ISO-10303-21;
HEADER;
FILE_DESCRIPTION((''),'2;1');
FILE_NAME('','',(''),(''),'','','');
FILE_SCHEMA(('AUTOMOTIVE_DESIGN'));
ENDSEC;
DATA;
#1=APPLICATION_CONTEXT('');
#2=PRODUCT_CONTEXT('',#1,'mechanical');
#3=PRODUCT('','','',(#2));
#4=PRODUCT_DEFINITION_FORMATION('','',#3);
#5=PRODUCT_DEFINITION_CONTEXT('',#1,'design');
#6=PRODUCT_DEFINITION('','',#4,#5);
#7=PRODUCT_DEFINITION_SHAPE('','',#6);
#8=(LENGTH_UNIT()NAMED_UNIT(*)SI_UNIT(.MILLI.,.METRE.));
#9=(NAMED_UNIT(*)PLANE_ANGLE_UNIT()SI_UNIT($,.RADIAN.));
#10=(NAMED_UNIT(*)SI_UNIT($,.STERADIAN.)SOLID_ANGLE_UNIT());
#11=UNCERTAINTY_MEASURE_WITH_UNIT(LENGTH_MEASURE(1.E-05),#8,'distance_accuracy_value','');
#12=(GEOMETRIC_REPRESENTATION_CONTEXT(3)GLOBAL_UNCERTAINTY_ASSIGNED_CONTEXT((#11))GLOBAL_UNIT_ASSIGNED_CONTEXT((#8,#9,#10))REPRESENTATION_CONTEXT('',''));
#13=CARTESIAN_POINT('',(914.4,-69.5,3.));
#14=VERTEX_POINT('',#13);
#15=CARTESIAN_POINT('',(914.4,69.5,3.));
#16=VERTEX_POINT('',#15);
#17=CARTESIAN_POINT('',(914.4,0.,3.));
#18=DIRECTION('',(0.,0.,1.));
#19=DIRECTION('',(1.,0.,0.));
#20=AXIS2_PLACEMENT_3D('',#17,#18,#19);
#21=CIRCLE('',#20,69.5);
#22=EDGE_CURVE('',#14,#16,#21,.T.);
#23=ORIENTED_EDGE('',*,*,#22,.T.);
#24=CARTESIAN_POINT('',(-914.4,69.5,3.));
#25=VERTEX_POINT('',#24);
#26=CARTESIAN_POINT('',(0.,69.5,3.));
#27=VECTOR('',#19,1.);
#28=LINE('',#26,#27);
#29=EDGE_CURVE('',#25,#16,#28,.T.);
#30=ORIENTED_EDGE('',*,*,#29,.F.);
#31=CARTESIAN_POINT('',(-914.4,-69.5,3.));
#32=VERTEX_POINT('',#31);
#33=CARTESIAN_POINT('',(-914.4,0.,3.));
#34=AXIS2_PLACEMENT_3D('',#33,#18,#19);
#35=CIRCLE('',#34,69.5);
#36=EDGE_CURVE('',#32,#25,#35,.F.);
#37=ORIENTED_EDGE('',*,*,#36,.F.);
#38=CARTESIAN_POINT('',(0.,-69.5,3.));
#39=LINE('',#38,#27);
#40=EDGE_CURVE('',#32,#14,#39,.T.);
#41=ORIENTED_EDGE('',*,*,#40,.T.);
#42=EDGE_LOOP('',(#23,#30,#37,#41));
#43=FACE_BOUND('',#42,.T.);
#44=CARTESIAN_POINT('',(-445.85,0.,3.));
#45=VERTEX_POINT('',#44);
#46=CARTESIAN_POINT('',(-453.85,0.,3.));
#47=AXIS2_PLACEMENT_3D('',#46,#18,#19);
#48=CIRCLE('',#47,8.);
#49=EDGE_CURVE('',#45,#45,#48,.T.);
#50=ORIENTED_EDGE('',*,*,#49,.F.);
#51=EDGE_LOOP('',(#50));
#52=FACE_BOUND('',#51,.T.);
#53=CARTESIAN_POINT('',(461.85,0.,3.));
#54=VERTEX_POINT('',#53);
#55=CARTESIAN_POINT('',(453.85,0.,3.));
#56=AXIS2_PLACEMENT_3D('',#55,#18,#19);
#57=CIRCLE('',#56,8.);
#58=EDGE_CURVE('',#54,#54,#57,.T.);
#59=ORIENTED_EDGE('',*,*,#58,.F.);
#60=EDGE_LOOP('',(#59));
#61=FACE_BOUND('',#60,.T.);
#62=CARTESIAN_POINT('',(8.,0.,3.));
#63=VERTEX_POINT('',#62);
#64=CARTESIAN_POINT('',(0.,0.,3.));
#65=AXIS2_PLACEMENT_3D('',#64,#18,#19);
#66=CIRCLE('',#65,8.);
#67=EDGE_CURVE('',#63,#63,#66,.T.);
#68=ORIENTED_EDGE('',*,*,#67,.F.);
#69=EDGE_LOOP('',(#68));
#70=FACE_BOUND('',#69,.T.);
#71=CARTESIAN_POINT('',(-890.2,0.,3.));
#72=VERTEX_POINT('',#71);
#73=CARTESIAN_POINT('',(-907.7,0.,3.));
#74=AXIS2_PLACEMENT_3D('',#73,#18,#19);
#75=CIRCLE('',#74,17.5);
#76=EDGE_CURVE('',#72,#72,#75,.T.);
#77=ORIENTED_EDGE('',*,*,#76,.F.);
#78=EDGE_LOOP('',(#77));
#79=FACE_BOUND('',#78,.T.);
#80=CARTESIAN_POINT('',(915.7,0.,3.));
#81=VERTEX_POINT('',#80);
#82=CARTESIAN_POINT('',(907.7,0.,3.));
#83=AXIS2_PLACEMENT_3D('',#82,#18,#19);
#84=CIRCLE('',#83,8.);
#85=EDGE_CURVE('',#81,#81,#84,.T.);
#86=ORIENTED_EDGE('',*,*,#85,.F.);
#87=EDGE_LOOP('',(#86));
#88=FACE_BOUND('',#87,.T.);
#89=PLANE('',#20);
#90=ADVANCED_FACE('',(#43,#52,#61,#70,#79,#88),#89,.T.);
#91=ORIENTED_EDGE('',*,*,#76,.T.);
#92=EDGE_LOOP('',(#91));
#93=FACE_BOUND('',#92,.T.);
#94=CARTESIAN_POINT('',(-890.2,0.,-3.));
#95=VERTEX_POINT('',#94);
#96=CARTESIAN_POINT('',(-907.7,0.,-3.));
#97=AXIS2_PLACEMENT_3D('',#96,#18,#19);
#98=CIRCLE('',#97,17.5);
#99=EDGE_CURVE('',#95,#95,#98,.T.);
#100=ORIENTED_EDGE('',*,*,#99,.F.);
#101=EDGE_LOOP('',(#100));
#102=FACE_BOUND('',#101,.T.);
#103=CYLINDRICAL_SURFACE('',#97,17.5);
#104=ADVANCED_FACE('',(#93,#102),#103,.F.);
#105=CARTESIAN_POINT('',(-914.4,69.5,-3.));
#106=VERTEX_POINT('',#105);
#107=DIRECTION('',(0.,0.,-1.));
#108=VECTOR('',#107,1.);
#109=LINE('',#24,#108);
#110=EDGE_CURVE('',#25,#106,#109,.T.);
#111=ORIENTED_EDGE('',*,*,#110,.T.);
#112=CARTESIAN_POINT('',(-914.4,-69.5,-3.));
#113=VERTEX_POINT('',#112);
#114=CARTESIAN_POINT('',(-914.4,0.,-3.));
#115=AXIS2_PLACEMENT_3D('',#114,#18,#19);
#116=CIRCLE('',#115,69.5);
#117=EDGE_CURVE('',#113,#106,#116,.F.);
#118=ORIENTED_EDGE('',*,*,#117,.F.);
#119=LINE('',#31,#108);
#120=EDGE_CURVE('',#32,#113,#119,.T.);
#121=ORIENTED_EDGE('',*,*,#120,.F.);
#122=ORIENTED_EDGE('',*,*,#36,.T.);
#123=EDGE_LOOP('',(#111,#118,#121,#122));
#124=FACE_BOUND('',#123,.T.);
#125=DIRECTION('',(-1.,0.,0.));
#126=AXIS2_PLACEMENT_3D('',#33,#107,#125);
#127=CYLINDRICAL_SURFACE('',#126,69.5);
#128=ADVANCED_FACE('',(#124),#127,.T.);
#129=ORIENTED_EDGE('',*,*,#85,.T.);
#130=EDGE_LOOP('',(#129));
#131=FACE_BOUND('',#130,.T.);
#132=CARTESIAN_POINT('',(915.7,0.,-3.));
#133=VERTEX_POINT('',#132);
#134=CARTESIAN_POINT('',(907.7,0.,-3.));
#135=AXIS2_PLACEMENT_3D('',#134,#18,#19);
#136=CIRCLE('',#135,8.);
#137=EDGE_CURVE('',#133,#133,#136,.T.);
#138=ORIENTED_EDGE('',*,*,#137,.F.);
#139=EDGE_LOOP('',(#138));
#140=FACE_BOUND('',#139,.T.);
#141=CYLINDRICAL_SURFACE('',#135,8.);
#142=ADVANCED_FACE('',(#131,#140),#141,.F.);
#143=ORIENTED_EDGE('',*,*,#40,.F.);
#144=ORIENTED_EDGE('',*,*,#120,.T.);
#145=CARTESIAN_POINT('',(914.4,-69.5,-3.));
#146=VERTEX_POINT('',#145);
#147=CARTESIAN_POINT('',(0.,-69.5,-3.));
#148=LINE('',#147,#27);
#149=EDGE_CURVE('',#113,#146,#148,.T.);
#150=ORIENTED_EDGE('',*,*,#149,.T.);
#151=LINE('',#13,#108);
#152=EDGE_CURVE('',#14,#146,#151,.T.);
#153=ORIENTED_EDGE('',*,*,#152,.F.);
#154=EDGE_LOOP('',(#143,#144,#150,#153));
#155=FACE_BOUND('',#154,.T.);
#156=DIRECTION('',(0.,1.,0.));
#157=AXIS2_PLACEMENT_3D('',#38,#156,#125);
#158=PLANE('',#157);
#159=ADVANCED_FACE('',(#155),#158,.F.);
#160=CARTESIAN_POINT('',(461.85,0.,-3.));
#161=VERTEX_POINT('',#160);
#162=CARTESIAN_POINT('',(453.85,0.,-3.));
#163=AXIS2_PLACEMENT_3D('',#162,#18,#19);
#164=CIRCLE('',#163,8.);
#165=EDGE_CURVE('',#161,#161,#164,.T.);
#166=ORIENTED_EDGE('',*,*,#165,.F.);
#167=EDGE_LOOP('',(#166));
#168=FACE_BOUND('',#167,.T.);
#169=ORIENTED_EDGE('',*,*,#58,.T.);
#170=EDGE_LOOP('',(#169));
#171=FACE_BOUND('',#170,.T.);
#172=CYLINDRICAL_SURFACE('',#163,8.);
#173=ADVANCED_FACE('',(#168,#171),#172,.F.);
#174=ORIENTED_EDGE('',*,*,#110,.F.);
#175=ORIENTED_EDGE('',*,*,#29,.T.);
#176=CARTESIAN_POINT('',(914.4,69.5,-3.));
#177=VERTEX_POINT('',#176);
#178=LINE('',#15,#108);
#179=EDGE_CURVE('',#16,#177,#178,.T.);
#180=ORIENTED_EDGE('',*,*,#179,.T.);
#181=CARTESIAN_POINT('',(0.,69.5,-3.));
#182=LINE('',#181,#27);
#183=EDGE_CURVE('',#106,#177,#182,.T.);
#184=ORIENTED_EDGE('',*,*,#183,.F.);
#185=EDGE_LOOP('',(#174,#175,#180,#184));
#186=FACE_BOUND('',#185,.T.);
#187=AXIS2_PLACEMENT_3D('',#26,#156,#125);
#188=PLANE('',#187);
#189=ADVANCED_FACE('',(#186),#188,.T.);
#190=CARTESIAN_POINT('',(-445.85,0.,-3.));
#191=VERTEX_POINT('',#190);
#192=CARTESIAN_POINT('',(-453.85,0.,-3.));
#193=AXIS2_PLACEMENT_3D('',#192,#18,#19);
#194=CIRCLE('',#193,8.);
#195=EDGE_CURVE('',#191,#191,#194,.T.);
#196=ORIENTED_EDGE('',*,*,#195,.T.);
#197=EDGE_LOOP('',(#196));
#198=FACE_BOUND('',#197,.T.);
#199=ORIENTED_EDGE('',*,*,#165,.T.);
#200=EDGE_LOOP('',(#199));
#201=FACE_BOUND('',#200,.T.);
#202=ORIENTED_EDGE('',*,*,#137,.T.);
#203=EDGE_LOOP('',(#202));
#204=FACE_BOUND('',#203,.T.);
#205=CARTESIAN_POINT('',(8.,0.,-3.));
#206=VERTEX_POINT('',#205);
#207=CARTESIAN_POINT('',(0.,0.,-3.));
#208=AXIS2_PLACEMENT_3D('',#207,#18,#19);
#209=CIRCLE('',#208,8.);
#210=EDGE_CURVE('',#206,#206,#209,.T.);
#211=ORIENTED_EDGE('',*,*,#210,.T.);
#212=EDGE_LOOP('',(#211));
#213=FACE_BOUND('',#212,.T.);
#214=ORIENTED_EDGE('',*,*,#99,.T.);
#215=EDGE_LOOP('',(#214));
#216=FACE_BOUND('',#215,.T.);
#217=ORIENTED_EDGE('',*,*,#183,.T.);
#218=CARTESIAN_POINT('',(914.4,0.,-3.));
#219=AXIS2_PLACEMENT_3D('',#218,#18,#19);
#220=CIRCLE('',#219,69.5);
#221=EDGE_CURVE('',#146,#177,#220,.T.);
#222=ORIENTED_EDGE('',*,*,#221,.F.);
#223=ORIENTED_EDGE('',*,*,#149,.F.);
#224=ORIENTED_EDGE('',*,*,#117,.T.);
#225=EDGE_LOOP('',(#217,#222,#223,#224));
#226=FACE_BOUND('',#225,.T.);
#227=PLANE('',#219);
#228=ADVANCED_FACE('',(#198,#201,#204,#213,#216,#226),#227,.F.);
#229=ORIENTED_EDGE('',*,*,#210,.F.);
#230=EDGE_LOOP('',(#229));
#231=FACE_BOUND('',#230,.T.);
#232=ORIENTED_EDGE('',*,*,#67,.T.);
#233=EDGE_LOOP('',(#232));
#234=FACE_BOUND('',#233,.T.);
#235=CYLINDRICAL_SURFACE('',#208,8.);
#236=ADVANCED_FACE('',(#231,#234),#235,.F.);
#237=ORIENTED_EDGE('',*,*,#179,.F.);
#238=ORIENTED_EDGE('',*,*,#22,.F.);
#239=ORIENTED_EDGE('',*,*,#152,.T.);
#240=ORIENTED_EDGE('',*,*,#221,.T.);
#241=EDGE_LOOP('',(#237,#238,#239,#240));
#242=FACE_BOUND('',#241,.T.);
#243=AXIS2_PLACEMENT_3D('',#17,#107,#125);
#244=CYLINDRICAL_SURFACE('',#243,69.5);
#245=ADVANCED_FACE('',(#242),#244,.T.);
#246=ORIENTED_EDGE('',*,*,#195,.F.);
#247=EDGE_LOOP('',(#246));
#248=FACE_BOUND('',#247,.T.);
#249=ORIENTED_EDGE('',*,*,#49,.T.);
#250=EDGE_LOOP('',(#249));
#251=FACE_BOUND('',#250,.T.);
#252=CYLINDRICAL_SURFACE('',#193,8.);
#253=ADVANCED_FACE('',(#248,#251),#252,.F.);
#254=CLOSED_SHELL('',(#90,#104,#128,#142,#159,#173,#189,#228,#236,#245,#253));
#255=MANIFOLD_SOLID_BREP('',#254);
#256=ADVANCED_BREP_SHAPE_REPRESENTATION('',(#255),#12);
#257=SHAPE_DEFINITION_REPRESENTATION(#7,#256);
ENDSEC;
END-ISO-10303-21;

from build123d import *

# Parameters (mm, degrees)
EXTRUDE_THIN1_DEPTH     = 3
BOSS_EXTRUDE1_DEPTH     = 3
SKETCH2_R               = 8
SKETCH2_R_2             = 17.5
CUT_EXTRUDE1_DEPTH      = 1
CUT_EXTRUDE1_DEPTH_BACK = 7


with BuildPart() as part:
    # Sketch1 → Extrude-Thin1 (new body, symmetric)
    with BuildSketch(Plane.XY):
        with BuildLine():
            Line((914.4, -69.5), (-914.4, -69.5))
            ThreePointArc((-914.4, -69.5), (-983.9, 0), (-914.4, 69.5))
            Line((-914.4, 69.5), (914.4, 69.5))
            ThreePointArc((914.4, 69.5), (983.9, 0), (914.4, -69.5))
        make_face()
        with BuildLine():
            Line((914.4, -63.5), (-914.4, -63.5))
            ThreePointArc((-914.4, -63.5), (-977.9, 0), (-914.4, 63.5))
            Line((-914.4, 63.5), (914.4, 63.5))
            ThreePointArc((914.4, 63.5), (977.9, 0), (914.4, -63.5))
        make_face(mode=Mode.SUBTRACT)
    extrude(amount=EXTRUDE_THIN1_DEPTH, both=True)

    # Sketch1<3> → Boss-Extrude1 (add, symmetric)
    with BuildSketch(Plane.XY):
        with BuildLine():
            Line((-914.4, 63.5), (914.4, 63.5))
            ThreePointArc((914.4, 63.5), (977.9, 0), (914.4, -63.5))
            Line((914.4, -63.5), (-914.4, -63.5))
            ThreePointArc((-914.4, -63.5), (-977.9, 0), (-914.4, 63.5))
        make_face()
    extrude(amount=BOSS_EXTRUDE1_DEPTH, both=True)

    # Sketch2 → Cut-Extrude1 (cut, two sides)
    with BuildSketch(Plane.XY.offset(3)) as cut_extrude1_sk:
        Circle(SKETCH2_R)
        with Locations((907.7, 0)):
            Circle(SKETCH2_R)
        with Locations((-907.7, 0)):
            Circle(SKETCH2_R_2)
        with Locations((453.85, 0)):
            Circle(SKETCH2_R)
        with Locations((-453.85, 0)):
            Circle(SKETCH2_R)
    extrude(amount=CUT_EXTRUDE1_DEPTH, mode=Mode.SUBTRACT)
    extrude(cut_extrude1_sk.sketch, amount=-CUT_EXTRUDE1_DEPTH_BACK, mode=Mode.SUBTRACT)


solid = part.part
